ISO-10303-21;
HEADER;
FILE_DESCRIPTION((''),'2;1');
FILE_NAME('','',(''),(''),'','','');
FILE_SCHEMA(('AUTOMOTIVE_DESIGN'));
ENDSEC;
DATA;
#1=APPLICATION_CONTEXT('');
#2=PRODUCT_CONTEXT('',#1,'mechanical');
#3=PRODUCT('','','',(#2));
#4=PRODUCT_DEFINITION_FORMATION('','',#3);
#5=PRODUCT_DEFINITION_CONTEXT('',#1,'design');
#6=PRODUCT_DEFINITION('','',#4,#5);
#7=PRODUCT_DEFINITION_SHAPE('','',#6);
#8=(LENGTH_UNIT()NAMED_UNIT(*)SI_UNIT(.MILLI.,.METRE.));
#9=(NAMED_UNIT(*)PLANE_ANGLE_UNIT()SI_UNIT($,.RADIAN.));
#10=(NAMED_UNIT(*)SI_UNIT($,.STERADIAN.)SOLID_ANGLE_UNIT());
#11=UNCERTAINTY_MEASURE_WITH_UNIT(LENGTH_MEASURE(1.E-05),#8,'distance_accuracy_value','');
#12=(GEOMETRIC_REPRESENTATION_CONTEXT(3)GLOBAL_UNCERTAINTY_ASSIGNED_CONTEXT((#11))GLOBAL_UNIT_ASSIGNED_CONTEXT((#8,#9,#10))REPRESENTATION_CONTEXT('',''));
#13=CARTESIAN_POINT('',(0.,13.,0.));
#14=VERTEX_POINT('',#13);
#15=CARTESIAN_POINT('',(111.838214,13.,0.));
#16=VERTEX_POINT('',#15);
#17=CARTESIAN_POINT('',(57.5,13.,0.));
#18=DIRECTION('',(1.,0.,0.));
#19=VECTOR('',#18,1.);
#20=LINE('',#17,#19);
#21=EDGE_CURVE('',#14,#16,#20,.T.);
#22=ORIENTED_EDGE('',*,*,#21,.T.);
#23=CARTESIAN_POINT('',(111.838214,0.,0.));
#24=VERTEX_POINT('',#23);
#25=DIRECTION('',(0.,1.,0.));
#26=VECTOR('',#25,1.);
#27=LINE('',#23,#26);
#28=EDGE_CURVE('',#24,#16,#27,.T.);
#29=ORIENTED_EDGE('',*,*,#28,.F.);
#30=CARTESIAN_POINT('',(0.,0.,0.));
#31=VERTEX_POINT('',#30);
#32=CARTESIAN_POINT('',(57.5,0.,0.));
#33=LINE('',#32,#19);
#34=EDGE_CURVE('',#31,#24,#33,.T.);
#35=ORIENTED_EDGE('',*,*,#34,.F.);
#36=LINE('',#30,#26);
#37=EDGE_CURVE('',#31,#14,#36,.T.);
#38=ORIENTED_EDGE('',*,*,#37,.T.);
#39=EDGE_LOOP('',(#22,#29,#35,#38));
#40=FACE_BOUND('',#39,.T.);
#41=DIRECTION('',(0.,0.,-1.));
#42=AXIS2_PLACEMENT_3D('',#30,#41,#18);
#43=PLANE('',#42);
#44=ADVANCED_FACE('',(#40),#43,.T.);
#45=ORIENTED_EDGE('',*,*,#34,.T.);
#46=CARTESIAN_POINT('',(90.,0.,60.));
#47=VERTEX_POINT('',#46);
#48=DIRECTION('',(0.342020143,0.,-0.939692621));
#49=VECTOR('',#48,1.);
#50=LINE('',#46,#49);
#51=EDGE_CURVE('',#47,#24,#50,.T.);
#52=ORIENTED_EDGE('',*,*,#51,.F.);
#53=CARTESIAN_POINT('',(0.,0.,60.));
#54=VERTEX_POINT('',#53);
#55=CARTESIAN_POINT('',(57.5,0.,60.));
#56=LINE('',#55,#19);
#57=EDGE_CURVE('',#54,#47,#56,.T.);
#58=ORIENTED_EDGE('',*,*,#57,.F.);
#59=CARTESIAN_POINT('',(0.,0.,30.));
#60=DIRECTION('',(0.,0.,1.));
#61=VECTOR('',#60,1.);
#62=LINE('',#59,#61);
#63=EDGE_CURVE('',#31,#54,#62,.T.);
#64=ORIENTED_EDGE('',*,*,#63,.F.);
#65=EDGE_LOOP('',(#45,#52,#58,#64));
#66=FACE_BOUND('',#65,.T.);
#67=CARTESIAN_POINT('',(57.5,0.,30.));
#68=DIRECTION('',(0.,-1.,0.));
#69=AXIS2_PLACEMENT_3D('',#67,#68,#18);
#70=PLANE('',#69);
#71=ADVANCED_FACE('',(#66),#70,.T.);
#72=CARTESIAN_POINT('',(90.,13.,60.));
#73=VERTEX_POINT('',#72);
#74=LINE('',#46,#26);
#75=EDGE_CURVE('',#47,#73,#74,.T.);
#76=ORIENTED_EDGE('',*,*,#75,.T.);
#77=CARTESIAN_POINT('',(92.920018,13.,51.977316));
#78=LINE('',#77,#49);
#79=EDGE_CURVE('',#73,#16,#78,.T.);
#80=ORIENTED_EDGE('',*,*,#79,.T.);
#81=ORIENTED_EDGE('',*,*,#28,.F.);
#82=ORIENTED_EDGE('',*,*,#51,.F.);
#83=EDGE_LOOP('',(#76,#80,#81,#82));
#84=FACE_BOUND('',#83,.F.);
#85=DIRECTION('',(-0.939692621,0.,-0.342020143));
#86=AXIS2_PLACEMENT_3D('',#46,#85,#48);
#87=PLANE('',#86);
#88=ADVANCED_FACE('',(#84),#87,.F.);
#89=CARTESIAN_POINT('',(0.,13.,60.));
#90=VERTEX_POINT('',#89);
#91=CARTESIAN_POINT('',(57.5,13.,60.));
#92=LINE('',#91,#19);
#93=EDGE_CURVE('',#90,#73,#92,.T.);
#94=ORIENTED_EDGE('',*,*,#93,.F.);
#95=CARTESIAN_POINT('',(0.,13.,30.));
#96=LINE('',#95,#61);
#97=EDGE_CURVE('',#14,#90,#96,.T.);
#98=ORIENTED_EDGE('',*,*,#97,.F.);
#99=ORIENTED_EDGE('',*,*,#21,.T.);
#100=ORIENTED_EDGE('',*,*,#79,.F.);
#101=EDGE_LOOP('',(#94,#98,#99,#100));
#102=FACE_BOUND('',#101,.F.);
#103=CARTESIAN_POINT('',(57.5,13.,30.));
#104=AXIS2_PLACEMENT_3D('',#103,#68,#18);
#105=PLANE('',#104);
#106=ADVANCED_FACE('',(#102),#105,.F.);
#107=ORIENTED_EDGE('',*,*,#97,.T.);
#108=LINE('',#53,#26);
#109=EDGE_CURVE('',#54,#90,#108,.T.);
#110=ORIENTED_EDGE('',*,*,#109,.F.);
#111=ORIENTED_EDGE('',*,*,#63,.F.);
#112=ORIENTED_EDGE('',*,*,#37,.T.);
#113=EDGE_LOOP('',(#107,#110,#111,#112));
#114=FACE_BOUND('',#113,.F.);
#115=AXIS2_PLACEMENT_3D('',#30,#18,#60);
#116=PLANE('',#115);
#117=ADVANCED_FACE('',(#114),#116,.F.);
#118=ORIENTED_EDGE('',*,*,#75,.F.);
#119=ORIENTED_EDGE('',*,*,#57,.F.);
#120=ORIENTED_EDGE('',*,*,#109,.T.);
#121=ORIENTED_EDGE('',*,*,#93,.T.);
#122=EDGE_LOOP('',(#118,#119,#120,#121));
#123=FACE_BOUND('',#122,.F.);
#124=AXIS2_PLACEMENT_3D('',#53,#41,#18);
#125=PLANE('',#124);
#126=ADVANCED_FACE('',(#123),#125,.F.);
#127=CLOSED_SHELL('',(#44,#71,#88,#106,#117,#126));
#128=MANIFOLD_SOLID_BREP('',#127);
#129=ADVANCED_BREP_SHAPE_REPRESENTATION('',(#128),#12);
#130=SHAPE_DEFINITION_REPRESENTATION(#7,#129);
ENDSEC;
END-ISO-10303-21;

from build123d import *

# Parameters (mm, degrees)
SKETCH_W     = 115
SKETCH_H     = 60
PAD_DEPTH    = 13
POCKET_DEPTH = 13.001


with BuildPart() as part:
    # Sketch → Pad (new body)
    with BuildSketch(Plane.XZ):
        with Locations((57.5, 30)):
            Rectangle(SKETCH_W, SKETCH_H)
    extrude(amount=-PAD_DEPTH)

    # Sketch001 → Pocket (cut, through all)
    with BuildSketch(Plane.XZ):
        Polygon((111.838214, 0), (115, 0), (115, 60), (90, 60), align=None)
    extrude(amount=-POCKET_DEPTH, mode=Mode.SUBTRACT)


solid = part.part
